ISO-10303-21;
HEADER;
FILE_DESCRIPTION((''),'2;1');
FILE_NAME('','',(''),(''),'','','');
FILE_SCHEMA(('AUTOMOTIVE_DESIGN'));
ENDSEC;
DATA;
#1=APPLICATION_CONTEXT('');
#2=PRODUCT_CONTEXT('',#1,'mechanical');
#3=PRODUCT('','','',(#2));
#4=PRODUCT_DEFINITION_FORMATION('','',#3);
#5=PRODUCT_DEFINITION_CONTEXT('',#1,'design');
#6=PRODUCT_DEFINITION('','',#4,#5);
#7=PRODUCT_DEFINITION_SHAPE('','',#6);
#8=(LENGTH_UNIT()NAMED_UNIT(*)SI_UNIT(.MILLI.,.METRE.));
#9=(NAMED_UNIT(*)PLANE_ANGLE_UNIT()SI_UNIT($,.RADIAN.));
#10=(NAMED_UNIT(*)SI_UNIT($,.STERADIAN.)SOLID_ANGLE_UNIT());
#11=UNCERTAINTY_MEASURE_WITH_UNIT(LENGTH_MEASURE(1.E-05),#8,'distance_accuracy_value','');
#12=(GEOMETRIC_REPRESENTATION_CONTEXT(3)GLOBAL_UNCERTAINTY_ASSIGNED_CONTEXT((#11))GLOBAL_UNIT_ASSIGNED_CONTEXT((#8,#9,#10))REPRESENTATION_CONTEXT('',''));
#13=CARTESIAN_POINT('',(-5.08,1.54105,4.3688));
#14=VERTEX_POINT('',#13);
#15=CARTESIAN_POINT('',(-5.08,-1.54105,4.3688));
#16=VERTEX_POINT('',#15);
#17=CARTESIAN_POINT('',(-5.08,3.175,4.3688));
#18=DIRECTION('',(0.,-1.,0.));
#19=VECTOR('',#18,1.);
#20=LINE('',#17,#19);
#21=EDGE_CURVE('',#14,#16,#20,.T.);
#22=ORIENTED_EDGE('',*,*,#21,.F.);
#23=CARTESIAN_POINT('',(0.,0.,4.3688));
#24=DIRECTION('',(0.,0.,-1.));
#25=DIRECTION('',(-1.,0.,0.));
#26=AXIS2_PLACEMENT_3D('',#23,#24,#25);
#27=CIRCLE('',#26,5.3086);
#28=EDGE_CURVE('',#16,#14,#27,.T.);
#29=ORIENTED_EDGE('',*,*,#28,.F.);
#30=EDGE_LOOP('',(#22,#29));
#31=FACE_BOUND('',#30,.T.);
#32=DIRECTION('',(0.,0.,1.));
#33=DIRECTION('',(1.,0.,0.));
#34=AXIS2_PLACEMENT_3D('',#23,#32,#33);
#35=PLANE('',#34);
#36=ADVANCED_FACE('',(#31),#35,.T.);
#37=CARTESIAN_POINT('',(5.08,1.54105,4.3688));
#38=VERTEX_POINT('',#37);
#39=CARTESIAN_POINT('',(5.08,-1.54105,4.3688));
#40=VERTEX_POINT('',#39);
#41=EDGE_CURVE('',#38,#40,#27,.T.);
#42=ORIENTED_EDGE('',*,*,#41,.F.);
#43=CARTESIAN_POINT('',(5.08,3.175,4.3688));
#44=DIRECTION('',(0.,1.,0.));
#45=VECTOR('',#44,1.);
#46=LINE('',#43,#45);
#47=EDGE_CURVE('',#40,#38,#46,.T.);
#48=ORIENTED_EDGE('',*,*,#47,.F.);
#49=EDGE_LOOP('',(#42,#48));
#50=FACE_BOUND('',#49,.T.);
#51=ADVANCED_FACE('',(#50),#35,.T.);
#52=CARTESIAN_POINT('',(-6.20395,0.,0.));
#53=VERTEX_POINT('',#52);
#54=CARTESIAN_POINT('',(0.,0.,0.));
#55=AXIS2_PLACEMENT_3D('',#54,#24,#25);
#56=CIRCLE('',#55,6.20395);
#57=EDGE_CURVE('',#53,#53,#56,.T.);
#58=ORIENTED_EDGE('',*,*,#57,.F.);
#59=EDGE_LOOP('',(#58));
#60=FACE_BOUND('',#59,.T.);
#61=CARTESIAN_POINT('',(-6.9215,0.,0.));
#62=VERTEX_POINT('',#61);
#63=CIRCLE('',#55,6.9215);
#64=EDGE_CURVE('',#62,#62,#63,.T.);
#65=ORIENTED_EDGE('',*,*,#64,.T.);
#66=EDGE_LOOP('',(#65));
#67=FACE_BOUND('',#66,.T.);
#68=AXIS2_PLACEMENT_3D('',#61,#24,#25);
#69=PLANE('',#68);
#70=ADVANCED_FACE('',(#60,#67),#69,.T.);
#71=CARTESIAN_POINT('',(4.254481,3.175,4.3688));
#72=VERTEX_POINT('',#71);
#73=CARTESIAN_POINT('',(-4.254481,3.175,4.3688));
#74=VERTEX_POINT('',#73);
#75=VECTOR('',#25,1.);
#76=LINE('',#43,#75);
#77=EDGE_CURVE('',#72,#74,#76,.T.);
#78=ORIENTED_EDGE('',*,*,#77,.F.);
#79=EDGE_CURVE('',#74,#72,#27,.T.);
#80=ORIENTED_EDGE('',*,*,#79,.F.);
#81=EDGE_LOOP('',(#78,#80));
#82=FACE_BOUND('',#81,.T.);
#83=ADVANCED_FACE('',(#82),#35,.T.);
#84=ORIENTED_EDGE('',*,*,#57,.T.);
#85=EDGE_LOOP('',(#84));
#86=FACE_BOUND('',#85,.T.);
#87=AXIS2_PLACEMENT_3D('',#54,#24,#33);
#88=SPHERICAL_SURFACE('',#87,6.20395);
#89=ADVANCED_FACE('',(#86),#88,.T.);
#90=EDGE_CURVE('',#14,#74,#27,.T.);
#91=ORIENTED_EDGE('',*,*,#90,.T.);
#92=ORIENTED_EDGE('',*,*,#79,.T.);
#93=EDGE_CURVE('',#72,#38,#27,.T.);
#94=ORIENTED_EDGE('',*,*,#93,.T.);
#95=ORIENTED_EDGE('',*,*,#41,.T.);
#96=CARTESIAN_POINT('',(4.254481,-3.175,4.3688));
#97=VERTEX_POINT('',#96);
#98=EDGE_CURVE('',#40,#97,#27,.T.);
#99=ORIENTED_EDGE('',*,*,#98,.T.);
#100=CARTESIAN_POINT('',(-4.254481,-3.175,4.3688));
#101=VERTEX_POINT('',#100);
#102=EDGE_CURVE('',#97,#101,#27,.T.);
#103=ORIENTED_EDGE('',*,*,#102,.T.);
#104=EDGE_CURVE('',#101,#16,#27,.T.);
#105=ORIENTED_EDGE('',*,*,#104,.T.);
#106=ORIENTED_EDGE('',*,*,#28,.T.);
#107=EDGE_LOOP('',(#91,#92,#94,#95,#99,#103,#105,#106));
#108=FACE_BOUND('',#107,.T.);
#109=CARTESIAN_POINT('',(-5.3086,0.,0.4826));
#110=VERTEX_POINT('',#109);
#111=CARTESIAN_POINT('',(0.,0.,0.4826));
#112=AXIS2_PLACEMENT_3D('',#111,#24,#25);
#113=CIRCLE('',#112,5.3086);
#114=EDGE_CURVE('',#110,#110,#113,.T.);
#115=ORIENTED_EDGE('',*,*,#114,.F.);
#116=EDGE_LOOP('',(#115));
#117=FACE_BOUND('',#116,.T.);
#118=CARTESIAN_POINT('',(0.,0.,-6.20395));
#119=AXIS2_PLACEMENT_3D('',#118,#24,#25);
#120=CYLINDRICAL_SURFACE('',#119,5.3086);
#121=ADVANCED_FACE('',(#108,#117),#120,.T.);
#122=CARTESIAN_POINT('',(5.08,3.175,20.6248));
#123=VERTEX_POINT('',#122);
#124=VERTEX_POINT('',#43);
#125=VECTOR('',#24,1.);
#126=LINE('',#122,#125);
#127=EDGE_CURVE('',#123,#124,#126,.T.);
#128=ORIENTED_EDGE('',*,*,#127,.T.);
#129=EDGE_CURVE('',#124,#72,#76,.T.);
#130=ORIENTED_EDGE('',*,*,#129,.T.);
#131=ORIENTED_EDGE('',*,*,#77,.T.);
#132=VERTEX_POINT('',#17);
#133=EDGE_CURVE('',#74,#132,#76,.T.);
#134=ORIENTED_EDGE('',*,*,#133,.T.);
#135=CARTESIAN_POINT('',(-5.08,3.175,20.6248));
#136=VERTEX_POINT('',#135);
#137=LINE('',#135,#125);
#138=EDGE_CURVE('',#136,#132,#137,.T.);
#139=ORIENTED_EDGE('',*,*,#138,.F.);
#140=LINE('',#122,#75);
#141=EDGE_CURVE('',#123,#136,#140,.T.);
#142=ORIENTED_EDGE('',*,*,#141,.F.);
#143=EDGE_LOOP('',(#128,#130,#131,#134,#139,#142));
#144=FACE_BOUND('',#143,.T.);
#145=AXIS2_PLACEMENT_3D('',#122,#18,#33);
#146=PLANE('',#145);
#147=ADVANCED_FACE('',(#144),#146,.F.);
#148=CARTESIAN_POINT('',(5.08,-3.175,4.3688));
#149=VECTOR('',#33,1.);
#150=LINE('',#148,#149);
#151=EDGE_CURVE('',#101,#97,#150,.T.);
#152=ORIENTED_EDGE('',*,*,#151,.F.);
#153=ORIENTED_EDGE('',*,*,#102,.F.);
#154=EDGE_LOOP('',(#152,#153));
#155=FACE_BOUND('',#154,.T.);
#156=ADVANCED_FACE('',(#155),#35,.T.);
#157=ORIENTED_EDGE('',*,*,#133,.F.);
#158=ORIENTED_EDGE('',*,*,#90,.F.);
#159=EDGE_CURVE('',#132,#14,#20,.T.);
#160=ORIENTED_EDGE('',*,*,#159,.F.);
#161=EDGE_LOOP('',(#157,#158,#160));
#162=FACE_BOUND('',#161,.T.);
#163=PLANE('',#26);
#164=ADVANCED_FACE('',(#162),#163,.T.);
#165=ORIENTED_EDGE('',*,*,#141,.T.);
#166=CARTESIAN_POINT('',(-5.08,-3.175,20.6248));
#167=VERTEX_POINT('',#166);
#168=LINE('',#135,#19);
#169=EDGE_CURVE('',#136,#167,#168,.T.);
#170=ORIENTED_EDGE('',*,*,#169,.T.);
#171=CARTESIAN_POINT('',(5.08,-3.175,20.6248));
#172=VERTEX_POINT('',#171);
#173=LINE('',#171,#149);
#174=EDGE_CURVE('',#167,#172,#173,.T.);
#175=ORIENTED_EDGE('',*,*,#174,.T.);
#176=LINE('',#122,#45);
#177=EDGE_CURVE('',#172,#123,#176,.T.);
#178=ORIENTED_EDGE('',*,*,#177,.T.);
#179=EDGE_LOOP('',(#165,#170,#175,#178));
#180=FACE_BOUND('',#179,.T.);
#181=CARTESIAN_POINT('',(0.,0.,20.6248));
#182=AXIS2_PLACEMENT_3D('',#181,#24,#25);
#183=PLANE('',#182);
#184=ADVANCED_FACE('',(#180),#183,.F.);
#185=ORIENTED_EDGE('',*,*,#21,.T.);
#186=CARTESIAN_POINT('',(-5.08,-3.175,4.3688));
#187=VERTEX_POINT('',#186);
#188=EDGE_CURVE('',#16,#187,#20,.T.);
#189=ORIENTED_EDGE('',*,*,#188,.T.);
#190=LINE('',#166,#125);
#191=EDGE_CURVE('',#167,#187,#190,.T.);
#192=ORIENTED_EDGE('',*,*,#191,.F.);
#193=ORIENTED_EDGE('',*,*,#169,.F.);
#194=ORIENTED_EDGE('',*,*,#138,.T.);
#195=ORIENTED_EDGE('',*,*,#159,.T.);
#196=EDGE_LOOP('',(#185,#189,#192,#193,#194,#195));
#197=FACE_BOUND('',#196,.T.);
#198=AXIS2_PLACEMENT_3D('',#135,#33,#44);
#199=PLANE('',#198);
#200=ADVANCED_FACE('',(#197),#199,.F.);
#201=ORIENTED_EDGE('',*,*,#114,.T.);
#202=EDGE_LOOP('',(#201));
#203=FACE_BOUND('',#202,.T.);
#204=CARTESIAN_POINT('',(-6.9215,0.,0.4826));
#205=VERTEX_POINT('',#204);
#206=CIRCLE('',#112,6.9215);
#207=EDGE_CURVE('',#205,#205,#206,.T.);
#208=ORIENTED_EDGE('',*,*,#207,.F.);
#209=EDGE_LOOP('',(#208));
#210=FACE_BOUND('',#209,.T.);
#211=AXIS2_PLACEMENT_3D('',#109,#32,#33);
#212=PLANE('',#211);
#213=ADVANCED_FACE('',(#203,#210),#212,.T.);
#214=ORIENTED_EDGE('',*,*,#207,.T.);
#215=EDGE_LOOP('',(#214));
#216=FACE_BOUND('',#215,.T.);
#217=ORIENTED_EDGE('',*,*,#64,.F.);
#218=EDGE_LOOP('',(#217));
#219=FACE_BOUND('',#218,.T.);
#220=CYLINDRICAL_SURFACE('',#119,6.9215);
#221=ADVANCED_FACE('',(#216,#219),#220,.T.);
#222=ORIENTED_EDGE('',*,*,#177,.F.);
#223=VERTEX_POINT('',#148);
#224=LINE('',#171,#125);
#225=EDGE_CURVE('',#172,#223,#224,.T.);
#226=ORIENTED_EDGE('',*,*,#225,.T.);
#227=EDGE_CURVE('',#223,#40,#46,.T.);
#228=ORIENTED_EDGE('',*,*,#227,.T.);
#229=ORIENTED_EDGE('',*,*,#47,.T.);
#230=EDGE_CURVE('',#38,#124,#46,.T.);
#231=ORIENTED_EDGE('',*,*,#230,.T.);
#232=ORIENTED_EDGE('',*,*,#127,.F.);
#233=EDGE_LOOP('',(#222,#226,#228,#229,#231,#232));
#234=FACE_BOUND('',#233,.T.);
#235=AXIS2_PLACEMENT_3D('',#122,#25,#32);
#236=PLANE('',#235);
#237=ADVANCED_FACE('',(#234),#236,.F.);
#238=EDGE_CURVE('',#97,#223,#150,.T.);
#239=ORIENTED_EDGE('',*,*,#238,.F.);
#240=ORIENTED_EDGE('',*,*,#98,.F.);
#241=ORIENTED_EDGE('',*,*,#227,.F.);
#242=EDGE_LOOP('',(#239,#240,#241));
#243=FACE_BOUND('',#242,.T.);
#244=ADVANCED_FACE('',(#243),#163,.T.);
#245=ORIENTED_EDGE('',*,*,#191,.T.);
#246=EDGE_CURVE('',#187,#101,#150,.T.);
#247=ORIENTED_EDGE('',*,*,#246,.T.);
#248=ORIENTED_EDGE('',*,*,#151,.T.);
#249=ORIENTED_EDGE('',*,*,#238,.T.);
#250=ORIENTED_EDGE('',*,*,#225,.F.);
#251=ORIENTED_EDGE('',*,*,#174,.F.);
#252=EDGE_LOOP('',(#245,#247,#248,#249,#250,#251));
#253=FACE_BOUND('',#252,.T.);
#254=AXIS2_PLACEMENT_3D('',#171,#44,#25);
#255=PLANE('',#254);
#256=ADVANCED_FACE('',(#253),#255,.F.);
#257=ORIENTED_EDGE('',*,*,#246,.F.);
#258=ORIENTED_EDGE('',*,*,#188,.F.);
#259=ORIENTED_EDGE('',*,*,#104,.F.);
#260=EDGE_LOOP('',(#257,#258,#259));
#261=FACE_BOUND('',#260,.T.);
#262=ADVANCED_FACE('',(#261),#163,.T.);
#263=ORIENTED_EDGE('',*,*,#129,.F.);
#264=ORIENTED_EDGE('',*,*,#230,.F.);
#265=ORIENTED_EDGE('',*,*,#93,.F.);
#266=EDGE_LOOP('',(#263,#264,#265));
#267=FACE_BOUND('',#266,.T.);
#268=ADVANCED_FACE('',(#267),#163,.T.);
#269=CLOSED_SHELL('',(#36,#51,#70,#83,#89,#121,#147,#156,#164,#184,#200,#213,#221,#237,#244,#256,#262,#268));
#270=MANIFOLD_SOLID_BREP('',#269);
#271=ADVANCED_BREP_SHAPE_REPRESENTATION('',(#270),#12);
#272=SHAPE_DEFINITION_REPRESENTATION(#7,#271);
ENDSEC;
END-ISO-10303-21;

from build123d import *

# Parameters (mm, degrees)
SKETCH2_W           = 10.16
SKETCH2_H           = 6.35
BOSS_EXTRUDE1_DEPTH = 16.256


with BuildPart() as part:
    # Sketch1 → Revolve1 (revolve)
    with BuildSketch(Plane(origin=(0, 0, 0), x_dir=(1, 0, 0), z_dir=(0, 1, 0))):
        with BuildLine():
            Line((0, 6.20395), (0, -4.3688))
            Line((0, -4.3688), (-5.3086, -4.3688))
            Line((-5.3086, -4.3688), (-5.3086, -0.4826))
            Line((-5.3086, -0.4826), (-6.9215, -0.4826))
            Line((-6.9215, -0.4826), (-6.9215, 0))
            Line((-6.9215, 0), (-6.20395, 0))
            ThreePointArc((-6.20395, 0), (-4.386855115, 4.386855115), (0, 6.20395))
        make_face()
    revolve(axis=Axis((0, 0, -6.20395), (0, 0, 1)))

    # Sketch2 → Boss-Extrude1 (add)
    with BuildSketch(Plane.XY.offset(4.3688)):
        Rectangle(SKETCH2_W, SKETCH2_H)
    extrude(amount=BOSS_EXTRUDE1_DEPTH)


solid = part.part
